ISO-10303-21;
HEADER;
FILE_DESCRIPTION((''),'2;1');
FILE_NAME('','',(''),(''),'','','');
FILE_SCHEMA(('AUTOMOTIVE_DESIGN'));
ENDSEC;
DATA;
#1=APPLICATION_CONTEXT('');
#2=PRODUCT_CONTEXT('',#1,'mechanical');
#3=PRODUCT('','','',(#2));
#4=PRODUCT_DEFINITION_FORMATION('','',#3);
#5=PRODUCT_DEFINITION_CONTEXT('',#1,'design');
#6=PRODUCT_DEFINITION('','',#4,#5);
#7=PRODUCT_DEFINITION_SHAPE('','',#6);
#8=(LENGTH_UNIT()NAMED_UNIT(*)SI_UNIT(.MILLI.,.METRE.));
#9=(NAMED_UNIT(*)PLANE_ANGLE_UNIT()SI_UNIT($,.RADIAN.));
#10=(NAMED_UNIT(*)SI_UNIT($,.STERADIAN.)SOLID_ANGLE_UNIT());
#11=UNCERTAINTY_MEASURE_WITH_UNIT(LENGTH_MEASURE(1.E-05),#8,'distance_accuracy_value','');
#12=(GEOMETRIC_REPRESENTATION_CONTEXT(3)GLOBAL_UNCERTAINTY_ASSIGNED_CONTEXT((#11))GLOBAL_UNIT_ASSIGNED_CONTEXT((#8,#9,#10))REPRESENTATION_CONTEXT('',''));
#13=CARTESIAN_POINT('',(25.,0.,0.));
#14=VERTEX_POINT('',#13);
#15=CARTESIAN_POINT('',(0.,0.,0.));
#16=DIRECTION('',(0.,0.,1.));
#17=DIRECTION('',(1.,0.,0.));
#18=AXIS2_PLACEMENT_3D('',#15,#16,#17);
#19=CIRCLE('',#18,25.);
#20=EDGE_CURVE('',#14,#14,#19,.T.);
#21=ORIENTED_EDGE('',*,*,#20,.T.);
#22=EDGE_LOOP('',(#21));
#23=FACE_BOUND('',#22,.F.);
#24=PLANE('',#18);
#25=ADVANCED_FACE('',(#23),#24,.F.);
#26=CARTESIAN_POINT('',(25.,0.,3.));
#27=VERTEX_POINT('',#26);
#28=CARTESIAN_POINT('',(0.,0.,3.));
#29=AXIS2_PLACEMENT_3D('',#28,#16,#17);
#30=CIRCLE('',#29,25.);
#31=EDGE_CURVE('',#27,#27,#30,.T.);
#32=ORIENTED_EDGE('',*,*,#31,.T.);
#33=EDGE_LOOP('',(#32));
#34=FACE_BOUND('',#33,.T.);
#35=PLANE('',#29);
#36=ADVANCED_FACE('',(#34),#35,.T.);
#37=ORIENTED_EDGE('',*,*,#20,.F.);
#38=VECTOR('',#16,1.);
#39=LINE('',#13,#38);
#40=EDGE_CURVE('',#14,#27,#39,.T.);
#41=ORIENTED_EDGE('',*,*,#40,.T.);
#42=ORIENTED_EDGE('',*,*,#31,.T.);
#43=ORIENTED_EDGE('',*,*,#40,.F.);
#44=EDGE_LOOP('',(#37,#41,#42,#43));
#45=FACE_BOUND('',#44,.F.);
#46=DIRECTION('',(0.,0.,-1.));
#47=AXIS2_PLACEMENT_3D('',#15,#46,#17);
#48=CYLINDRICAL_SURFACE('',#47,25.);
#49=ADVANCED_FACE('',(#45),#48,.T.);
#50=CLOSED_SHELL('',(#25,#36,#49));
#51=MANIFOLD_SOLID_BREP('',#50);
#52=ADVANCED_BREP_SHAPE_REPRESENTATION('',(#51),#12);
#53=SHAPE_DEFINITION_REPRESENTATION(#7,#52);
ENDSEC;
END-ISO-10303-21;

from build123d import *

# Parameters (mm, degrees)
SKETCH_1_R      = 25
EXTRUDE_1_DEPTH = 3


with BuildPart() as part:
    # 草图1 → 凸台-拉伸1 (new body)
    with BuildSketch(Plane.XY):
        Circle(SKETCH_1_R)
    extrude(amount=EXTRUDE_1_DEPTH)


solid = part.part
